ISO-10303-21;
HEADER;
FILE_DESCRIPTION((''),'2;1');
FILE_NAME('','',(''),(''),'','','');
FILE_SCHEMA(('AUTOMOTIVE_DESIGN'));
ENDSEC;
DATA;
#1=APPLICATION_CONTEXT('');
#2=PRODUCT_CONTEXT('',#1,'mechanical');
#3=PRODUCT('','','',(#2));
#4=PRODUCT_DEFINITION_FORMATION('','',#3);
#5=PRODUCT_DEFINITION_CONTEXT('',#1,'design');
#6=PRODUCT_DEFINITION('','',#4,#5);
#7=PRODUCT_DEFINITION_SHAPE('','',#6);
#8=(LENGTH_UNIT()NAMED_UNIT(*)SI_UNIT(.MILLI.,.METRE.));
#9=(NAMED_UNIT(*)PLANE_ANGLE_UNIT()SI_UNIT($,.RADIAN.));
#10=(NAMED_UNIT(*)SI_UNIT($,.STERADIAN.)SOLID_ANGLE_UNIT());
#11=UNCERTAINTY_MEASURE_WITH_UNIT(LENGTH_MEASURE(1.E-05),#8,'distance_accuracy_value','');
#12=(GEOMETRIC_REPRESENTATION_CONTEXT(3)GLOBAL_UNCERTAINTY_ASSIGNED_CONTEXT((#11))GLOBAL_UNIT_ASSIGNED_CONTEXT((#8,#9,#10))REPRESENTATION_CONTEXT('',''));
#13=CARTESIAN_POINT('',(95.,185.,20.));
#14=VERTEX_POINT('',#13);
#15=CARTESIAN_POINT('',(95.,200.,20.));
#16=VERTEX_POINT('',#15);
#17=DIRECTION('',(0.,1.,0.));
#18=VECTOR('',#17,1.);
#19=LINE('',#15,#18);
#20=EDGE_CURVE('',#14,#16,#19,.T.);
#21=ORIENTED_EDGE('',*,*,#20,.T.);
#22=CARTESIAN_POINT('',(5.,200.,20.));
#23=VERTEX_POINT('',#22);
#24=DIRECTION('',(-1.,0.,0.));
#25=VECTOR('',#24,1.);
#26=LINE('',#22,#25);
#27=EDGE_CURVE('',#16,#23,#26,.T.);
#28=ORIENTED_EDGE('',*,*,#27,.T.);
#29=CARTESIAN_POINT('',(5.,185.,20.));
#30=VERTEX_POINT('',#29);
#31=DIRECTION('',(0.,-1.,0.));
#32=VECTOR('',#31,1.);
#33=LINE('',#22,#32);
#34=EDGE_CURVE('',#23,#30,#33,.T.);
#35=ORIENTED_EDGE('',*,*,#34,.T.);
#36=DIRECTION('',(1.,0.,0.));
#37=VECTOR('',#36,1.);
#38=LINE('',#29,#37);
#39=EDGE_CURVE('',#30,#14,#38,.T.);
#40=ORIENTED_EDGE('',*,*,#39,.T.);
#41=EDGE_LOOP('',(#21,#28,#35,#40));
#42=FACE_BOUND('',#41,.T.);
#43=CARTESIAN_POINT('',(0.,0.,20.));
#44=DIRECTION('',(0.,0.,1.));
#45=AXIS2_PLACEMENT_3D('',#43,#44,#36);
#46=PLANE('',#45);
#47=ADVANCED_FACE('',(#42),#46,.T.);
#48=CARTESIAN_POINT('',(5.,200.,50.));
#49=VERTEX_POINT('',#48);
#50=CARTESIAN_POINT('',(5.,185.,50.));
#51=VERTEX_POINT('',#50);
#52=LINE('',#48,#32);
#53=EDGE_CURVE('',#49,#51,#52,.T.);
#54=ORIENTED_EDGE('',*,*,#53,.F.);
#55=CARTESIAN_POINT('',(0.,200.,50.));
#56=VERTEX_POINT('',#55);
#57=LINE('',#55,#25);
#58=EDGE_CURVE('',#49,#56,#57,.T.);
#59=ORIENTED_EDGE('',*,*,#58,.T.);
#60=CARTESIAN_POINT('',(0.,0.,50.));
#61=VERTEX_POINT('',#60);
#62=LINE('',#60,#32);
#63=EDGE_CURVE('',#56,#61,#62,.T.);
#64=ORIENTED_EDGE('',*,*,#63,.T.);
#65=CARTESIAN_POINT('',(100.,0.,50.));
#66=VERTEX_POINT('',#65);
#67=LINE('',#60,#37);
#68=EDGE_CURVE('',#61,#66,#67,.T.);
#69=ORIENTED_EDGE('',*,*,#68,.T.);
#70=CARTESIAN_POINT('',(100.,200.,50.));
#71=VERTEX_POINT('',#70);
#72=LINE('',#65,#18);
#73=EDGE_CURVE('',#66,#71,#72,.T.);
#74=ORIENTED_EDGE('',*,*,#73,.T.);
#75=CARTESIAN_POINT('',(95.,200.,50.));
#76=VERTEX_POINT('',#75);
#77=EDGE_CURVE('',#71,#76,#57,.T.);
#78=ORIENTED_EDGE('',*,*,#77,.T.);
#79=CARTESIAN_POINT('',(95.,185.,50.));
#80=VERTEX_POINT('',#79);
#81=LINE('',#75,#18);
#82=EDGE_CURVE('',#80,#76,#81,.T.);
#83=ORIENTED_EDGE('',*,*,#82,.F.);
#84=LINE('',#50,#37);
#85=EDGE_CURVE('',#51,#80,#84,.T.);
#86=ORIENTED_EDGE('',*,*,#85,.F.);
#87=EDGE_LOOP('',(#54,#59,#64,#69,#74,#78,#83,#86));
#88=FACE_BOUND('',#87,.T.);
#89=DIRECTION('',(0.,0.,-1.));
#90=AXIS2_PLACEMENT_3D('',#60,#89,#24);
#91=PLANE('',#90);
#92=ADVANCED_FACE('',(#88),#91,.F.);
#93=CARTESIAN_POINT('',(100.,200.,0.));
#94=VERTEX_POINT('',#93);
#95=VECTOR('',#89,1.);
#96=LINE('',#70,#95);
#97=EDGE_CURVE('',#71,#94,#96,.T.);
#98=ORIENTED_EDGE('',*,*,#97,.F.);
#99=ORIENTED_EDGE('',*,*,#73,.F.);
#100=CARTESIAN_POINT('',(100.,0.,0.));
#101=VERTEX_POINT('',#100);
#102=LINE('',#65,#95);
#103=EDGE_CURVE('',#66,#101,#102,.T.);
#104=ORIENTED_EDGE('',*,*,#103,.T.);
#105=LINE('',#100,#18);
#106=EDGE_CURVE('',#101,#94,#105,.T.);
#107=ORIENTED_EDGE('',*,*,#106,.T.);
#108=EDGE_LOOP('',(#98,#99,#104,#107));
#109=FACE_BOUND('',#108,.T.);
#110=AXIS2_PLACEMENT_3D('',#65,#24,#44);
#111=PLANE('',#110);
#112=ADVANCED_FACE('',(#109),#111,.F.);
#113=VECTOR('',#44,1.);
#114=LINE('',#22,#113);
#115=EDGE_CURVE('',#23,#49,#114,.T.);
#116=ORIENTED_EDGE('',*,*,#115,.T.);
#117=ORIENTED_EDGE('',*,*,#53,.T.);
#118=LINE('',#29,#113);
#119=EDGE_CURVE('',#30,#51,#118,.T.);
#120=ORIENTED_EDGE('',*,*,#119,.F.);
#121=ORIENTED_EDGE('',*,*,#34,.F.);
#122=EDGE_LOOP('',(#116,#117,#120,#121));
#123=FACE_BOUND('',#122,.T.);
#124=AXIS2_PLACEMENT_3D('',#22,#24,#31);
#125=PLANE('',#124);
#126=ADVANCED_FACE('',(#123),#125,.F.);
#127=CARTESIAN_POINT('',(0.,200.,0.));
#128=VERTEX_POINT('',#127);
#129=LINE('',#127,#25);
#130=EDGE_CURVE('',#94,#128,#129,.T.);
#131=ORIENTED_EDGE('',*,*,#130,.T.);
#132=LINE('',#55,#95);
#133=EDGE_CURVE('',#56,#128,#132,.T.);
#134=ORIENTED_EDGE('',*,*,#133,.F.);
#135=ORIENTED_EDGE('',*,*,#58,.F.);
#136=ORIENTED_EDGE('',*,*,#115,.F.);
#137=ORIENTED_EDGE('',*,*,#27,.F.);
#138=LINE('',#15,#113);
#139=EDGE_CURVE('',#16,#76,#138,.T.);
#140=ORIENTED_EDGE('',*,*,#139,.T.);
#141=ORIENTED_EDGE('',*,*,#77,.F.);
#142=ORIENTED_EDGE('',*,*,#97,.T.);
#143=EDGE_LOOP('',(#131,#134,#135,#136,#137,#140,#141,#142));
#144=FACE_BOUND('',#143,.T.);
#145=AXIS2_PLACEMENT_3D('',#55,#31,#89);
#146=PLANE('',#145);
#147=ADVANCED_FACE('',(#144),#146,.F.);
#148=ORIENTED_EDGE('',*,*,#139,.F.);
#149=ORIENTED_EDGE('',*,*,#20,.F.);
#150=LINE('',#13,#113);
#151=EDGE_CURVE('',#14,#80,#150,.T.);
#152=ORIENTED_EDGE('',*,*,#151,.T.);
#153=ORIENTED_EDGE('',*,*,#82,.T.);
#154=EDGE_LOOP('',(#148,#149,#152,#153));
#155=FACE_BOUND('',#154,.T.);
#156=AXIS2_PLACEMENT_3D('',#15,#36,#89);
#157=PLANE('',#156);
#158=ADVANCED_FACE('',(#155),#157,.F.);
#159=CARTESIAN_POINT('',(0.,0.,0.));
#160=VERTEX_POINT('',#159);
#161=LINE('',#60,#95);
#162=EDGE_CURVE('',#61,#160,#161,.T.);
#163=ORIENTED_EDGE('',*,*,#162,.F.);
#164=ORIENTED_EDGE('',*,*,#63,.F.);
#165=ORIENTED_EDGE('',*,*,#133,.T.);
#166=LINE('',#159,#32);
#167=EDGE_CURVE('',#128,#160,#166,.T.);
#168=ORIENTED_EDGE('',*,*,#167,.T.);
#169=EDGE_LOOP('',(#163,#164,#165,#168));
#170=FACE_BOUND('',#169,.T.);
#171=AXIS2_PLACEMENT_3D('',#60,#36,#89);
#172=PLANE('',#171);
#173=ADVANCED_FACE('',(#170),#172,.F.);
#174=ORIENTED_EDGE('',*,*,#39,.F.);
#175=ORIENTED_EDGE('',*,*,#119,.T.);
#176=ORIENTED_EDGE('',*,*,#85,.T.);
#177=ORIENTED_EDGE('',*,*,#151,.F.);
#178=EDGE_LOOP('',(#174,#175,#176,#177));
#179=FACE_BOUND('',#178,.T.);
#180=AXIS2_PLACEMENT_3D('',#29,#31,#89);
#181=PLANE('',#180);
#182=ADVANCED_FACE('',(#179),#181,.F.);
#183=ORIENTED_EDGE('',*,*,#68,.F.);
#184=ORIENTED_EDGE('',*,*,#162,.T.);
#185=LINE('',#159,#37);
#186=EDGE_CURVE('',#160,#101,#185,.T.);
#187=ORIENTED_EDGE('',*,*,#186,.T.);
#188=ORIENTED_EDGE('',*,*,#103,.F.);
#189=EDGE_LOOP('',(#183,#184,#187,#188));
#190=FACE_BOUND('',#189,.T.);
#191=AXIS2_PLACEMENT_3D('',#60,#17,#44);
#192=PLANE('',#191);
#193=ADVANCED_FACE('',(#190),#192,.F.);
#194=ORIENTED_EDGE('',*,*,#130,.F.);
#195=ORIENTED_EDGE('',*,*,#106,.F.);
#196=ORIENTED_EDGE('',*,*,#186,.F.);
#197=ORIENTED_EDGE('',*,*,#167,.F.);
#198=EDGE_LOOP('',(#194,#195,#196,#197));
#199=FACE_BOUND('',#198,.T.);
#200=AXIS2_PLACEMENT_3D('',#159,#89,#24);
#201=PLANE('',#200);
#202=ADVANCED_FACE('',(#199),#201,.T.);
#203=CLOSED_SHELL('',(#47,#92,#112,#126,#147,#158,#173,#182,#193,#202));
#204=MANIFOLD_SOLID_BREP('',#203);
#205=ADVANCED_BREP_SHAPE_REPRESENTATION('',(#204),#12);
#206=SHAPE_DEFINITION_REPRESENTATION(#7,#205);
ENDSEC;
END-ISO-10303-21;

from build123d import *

# Parameters (mm, degrees)
SKETCH1_W           = 100
SKETCH1_H           = 200
BOSS_EXTRUDE1_DEPTH = 50
SKETCH2_W           = 90
SKETCH2_H           = 15
CUT_EXTRUDE1_DEPTH  = 30


with BuildPart() as part:
    # Sketch1 → Boss-Extrude1 (new body)
    with BuildSketch(Plane.XY):
        with Locations((50, 100)):
            Rectangle(SKETCH1_W, SKETCH1_H)
    extrude(amount=BOSS_EXTRUDE1_DEPTH)

    # Sketch2 → Cut-Extrude1 (cut)
    with BuildSketch(Plane.XY.offset(50)):
        with Locations((50, 192.5)):
            Rectangle(SKETCH2_W, SKETCH2_H)
    extrude(amount=-CUT_EXTRUDE1_DEPTH, mode=Mode.SUBTRACT)


solid = part.part
